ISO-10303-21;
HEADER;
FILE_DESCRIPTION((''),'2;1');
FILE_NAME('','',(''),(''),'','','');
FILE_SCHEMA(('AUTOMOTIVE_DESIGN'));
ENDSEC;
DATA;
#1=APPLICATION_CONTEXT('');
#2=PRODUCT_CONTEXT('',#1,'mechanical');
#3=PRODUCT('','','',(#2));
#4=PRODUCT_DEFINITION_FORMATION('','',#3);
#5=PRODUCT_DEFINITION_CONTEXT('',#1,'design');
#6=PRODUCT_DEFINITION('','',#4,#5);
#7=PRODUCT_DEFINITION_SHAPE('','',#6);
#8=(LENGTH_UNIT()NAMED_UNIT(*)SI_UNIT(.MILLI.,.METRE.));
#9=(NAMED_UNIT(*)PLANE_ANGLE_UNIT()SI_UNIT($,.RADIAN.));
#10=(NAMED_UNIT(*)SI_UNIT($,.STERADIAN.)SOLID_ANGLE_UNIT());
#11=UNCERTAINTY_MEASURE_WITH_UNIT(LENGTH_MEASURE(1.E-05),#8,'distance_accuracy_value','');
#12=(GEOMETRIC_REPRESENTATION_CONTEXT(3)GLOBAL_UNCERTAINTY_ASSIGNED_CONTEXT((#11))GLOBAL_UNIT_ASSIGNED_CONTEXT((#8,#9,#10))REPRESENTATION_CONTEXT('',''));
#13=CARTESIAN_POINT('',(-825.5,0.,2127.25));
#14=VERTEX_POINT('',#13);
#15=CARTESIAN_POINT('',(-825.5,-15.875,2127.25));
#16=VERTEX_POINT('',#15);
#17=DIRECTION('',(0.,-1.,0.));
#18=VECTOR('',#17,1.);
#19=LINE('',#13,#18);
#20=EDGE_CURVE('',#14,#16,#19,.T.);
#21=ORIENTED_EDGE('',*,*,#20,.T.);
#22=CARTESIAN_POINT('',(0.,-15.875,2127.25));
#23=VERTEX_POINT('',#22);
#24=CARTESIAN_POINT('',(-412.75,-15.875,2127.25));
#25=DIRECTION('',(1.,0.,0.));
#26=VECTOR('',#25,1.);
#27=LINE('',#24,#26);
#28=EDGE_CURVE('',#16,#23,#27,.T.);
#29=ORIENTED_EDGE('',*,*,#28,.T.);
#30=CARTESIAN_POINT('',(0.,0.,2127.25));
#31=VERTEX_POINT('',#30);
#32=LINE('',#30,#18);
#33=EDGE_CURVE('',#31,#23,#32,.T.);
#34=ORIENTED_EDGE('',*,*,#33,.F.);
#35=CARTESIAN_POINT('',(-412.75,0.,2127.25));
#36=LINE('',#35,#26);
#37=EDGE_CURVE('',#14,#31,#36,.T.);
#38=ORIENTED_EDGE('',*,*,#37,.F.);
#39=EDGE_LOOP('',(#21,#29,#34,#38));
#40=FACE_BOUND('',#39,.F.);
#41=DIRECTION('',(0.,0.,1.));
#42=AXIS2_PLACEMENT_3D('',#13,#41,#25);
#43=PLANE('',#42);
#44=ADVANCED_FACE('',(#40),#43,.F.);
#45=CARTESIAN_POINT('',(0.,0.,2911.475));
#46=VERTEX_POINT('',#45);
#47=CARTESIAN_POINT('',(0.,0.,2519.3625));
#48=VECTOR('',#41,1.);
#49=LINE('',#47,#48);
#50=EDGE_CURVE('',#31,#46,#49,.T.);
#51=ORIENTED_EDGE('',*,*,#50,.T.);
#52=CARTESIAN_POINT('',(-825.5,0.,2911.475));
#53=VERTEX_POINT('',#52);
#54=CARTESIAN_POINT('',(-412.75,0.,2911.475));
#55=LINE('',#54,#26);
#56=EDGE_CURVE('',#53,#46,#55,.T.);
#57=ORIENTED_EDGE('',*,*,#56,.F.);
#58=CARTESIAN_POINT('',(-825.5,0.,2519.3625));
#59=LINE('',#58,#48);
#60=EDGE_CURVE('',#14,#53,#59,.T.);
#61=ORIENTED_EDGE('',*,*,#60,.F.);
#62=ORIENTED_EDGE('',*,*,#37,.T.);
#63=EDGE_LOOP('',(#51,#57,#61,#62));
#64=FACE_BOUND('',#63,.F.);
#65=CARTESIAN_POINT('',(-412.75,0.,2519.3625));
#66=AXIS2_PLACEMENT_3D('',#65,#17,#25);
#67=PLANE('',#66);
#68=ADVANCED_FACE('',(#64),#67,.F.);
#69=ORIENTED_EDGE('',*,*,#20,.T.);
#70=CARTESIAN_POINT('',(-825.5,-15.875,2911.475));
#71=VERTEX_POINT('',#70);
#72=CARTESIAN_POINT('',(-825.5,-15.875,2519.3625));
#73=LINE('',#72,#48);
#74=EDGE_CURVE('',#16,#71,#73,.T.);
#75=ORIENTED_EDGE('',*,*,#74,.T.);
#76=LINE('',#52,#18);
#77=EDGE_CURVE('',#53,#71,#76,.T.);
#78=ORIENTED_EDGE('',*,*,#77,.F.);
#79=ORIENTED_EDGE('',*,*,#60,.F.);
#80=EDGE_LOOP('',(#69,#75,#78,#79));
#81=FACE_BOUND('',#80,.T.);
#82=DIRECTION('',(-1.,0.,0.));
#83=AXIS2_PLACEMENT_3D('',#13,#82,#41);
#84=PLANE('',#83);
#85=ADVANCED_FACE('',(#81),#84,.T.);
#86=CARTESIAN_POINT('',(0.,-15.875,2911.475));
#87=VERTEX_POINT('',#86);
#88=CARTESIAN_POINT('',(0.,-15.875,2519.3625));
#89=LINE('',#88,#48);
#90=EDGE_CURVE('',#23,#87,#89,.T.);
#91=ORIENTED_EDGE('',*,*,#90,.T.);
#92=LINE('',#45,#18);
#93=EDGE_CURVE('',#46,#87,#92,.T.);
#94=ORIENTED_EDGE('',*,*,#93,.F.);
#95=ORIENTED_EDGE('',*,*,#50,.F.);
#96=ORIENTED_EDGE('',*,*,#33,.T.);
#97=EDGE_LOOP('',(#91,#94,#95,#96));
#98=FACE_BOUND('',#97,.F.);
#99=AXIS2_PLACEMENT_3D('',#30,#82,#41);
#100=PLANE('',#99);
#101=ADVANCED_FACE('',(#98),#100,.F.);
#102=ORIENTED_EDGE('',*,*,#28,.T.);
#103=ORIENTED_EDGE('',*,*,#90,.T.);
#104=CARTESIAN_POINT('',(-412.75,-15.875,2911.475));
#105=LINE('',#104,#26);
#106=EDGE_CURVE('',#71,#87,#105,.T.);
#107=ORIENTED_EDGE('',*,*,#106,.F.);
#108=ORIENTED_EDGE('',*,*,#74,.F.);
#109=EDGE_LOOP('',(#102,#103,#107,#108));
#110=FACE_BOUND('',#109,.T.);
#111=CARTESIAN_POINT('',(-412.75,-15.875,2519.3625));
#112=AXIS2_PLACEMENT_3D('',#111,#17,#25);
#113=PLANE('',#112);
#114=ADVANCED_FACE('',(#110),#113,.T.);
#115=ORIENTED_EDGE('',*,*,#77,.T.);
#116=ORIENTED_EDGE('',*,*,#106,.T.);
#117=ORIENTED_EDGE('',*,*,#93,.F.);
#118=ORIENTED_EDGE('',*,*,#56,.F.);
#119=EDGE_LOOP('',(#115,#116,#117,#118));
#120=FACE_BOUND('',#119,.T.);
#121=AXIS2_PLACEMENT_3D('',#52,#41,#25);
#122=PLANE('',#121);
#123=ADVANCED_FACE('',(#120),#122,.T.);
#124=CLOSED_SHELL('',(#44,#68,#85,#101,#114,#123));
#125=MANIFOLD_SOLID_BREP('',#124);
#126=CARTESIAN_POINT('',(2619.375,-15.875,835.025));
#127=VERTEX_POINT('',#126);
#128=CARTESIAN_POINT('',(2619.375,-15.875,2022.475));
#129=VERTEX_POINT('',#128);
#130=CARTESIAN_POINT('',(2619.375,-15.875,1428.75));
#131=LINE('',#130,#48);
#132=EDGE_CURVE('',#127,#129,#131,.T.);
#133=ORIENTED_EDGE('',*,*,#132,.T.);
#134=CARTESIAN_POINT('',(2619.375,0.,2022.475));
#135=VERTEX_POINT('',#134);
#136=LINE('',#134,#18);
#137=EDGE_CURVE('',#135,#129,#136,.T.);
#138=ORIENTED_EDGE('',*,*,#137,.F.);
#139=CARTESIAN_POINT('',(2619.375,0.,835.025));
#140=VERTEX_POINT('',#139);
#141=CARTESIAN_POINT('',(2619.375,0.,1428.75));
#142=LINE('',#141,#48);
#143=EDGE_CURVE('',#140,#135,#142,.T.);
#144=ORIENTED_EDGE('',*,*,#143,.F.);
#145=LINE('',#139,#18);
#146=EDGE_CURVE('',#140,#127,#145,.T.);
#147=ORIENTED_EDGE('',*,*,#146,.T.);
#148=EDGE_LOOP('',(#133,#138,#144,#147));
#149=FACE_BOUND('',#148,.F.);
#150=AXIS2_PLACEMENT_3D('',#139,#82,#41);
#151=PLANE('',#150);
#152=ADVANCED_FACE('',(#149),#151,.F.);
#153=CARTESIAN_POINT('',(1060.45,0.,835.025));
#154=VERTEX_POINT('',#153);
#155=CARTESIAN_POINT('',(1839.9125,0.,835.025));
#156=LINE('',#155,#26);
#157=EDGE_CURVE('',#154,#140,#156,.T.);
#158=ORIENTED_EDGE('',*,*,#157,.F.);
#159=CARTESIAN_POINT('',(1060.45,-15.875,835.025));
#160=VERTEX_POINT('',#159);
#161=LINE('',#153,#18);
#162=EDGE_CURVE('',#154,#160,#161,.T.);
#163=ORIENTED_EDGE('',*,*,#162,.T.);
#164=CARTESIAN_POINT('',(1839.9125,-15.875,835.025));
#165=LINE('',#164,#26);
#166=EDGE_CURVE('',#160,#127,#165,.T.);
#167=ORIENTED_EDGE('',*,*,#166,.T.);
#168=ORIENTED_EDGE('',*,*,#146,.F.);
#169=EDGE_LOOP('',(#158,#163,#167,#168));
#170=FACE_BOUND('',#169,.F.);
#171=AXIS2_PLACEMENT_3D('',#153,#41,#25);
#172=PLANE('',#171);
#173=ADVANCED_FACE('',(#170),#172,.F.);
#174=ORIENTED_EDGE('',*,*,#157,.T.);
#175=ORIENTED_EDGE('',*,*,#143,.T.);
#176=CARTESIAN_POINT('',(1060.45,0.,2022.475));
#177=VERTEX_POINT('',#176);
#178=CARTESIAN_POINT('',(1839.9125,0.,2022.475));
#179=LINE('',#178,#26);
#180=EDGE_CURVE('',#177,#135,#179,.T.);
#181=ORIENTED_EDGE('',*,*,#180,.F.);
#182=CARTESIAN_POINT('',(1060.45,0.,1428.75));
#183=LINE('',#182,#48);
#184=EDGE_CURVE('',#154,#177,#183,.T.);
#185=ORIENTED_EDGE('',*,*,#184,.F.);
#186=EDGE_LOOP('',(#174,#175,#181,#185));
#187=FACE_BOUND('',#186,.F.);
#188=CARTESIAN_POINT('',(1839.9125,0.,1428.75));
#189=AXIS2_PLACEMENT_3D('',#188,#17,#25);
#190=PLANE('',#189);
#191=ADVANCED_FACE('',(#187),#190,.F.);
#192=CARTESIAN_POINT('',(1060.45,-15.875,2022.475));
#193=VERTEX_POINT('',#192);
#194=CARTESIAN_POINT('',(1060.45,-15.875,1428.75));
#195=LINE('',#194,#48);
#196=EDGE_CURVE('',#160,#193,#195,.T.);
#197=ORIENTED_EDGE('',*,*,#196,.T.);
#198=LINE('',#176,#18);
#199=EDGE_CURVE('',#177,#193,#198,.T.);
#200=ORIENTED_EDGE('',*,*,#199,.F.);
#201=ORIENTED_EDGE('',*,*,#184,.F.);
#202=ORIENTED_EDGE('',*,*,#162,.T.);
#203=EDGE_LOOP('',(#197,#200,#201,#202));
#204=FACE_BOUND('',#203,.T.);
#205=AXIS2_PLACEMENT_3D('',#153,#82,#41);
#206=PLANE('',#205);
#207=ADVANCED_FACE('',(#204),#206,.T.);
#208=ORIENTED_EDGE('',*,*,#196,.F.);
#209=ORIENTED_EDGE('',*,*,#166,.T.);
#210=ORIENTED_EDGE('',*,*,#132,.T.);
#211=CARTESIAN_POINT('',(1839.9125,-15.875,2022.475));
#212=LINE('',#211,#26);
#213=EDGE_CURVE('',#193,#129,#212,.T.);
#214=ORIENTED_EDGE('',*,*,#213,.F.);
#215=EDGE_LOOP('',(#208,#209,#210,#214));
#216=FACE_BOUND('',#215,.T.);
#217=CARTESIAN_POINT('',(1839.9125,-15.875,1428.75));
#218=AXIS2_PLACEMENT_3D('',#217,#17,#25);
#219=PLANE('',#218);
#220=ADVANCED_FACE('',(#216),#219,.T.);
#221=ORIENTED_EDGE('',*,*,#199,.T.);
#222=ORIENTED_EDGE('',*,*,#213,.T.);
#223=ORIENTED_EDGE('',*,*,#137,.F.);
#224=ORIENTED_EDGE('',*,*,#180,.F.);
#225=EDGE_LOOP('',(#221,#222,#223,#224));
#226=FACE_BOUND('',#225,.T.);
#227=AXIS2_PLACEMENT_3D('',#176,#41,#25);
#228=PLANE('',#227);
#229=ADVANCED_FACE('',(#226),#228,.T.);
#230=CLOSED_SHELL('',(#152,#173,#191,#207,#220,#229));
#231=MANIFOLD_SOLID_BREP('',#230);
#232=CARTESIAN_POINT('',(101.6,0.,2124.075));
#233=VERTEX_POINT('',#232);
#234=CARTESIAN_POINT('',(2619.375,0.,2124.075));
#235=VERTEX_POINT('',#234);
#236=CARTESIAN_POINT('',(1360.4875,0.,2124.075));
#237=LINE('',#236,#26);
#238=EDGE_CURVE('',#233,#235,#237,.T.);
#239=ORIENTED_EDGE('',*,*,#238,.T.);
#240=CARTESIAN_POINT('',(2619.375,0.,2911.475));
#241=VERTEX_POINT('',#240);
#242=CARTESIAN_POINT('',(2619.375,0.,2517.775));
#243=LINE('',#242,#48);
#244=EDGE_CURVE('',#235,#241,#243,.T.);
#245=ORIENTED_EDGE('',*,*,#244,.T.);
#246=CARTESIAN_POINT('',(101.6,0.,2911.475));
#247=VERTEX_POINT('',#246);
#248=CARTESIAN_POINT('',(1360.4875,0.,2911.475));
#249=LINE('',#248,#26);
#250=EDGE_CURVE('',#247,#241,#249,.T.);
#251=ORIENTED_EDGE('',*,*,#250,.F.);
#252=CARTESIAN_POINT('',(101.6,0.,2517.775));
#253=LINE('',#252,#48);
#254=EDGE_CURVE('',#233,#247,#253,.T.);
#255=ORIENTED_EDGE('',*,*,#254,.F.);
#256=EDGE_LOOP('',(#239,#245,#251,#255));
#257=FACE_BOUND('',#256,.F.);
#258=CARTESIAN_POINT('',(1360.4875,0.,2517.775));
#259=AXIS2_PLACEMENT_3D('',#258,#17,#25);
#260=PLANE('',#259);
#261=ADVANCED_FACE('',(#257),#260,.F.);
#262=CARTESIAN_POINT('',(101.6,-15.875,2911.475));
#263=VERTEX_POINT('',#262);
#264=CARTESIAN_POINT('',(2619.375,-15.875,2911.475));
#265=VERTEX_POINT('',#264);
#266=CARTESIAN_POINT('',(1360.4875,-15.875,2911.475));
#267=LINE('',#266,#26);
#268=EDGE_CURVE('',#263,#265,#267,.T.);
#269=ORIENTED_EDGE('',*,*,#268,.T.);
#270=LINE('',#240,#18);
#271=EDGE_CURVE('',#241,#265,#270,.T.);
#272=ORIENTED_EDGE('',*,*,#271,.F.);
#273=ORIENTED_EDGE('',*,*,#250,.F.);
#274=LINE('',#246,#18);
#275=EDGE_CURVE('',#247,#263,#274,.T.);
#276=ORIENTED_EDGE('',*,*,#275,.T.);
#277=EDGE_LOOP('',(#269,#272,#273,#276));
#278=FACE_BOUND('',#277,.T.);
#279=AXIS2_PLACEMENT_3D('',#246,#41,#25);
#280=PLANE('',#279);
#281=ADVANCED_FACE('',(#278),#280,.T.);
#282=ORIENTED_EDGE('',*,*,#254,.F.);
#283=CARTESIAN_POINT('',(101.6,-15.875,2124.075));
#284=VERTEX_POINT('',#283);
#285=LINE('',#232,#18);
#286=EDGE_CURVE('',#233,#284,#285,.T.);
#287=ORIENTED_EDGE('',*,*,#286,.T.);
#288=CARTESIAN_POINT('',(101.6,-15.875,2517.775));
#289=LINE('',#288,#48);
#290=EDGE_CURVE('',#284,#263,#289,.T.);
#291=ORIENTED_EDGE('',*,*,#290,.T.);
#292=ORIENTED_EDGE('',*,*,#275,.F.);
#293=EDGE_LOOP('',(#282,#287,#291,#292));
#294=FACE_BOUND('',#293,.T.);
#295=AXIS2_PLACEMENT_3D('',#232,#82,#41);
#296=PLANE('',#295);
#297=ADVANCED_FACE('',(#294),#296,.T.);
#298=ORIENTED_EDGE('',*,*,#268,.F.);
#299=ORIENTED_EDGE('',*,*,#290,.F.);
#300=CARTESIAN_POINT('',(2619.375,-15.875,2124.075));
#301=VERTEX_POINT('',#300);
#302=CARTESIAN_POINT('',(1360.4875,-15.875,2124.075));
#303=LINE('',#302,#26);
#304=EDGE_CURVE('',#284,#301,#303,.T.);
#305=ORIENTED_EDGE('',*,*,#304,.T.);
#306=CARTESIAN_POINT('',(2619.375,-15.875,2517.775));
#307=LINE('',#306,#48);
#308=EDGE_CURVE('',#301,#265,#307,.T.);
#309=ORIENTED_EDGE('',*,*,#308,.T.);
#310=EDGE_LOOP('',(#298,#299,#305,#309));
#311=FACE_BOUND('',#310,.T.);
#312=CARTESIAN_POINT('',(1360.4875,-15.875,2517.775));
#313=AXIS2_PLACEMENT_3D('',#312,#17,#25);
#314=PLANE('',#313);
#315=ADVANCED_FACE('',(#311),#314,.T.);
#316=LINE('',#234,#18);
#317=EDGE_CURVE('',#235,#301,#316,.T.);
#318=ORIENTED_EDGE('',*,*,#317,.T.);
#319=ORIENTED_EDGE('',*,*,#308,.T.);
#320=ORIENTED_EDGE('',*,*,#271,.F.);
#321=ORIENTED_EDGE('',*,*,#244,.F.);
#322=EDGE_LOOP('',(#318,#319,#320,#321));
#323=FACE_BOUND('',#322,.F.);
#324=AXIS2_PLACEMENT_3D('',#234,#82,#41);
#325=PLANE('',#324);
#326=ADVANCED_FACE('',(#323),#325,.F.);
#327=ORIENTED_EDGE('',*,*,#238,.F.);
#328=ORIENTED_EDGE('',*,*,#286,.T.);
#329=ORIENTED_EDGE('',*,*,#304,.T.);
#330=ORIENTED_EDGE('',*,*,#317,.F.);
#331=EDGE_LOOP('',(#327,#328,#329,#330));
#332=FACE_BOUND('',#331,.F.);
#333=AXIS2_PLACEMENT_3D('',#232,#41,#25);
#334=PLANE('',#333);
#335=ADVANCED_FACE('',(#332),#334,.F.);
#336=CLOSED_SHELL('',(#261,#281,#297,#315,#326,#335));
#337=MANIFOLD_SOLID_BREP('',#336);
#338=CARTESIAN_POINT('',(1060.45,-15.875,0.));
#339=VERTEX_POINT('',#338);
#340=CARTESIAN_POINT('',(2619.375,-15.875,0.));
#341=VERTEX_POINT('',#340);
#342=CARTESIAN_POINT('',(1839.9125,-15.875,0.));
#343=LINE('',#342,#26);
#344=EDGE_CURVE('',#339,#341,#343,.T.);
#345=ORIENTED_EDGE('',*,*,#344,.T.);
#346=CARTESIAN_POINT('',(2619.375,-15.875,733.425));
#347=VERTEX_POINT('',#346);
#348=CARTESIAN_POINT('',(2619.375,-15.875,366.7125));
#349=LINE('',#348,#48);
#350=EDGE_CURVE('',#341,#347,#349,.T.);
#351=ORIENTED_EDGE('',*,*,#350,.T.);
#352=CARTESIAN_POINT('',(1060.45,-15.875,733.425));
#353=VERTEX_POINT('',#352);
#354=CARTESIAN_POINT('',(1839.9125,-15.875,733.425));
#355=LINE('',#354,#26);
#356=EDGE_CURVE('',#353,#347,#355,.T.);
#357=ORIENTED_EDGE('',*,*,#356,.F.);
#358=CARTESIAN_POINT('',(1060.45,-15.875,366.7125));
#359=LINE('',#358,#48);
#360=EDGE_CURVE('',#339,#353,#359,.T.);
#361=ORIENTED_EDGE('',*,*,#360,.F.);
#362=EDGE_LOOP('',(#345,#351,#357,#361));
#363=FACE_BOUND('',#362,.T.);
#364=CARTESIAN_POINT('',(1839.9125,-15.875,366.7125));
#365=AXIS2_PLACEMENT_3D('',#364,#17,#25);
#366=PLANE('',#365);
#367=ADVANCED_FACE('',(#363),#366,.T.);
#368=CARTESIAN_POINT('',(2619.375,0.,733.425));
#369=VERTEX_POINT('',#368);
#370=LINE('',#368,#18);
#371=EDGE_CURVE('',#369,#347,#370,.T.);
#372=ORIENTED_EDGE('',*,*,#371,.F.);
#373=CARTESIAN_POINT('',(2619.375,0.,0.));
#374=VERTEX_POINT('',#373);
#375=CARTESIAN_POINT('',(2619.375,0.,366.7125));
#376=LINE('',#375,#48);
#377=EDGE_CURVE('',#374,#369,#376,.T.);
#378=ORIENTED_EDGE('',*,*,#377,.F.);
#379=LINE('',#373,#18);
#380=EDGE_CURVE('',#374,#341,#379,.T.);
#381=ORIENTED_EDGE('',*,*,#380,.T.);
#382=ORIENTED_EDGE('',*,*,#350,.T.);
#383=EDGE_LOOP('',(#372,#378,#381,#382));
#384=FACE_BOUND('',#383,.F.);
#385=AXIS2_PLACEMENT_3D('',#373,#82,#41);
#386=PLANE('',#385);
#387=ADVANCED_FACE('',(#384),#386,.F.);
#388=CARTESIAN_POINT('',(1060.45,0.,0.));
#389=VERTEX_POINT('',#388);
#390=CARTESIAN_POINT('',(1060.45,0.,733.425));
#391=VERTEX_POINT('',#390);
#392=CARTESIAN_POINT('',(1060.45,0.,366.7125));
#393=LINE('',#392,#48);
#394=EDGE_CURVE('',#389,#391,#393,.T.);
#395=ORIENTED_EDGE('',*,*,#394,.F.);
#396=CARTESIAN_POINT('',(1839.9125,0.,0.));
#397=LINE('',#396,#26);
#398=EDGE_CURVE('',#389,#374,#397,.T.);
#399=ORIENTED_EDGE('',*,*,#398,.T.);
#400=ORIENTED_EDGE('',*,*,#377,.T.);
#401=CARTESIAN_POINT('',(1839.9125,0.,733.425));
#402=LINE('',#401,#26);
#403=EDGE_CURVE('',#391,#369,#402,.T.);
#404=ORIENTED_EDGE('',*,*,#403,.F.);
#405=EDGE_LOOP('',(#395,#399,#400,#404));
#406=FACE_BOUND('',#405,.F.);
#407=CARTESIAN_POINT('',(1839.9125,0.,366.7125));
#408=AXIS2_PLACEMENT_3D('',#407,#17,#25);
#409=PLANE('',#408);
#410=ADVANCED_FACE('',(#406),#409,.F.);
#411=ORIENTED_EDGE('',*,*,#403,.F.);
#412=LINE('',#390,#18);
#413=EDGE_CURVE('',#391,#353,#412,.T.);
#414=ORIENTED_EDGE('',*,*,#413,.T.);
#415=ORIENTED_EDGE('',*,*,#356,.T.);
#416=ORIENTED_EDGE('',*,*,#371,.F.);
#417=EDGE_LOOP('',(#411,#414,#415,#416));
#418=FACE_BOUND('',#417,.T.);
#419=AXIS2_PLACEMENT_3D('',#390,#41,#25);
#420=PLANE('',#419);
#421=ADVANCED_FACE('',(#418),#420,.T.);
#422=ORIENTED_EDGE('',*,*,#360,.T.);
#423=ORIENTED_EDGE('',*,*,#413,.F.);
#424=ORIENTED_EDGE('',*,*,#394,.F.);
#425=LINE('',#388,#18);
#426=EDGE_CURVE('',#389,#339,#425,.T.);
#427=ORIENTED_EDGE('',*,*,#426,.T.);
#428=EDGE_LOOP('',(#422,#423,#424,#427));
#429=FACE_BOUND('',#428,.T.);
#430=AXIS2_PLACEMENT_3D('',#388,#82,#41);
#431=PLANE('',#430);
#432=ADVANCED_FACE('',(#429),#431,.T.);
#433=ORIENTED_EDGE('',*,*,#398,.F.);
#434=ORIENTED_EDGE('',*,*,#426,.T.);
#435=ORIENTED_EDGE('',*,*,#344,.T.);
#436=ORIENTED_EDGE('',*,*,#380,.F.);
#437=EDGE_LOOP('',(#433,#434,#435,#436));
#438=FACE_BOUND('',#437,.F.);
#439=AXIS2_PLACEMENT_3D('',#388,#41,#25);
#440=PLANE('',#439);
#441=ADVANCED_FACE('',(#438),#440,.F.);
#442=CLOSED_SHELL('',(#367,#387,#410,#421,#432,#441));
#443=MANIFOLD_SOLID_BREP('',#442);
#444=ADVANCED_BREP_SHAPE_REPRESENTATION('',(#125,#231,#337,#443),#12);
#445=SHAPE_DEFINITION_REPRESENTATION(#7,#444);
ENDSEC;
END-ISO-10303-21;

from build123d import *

# Parameters (mm, degrees)
F0_W     = 825.5
F0_H     = 784.225
F0_W_2   = 2517.775
F0_H_2   = 787.4
F0_W_3   = 1558.925
F0_H_3   = 1187.45
F0_H_4   = 733.425
F1_DEPTH = 15.875


with BuildPart() as f1:
    # F0 (on Front) → F1 (new body)
    with BuildSketch(Plane.XZ):
        with Locations((-412.75, 2519.3625)):
            Rectangle(F0_W, F0_H)
        with Locations((1360.4875, 2517.775)):
            Rectangle(F0_W_2, F0_H_2)
        with Locations((1839.9125, 1428.75)):
            Rectangle(F0_W_3, F0_H_3)
        with Locations((1839.9125, 366.7125)):
            Rectangle(F0_W_3, F0_H_4)
    extrude(amount=F1_DEPTH)


solid = f1.part
